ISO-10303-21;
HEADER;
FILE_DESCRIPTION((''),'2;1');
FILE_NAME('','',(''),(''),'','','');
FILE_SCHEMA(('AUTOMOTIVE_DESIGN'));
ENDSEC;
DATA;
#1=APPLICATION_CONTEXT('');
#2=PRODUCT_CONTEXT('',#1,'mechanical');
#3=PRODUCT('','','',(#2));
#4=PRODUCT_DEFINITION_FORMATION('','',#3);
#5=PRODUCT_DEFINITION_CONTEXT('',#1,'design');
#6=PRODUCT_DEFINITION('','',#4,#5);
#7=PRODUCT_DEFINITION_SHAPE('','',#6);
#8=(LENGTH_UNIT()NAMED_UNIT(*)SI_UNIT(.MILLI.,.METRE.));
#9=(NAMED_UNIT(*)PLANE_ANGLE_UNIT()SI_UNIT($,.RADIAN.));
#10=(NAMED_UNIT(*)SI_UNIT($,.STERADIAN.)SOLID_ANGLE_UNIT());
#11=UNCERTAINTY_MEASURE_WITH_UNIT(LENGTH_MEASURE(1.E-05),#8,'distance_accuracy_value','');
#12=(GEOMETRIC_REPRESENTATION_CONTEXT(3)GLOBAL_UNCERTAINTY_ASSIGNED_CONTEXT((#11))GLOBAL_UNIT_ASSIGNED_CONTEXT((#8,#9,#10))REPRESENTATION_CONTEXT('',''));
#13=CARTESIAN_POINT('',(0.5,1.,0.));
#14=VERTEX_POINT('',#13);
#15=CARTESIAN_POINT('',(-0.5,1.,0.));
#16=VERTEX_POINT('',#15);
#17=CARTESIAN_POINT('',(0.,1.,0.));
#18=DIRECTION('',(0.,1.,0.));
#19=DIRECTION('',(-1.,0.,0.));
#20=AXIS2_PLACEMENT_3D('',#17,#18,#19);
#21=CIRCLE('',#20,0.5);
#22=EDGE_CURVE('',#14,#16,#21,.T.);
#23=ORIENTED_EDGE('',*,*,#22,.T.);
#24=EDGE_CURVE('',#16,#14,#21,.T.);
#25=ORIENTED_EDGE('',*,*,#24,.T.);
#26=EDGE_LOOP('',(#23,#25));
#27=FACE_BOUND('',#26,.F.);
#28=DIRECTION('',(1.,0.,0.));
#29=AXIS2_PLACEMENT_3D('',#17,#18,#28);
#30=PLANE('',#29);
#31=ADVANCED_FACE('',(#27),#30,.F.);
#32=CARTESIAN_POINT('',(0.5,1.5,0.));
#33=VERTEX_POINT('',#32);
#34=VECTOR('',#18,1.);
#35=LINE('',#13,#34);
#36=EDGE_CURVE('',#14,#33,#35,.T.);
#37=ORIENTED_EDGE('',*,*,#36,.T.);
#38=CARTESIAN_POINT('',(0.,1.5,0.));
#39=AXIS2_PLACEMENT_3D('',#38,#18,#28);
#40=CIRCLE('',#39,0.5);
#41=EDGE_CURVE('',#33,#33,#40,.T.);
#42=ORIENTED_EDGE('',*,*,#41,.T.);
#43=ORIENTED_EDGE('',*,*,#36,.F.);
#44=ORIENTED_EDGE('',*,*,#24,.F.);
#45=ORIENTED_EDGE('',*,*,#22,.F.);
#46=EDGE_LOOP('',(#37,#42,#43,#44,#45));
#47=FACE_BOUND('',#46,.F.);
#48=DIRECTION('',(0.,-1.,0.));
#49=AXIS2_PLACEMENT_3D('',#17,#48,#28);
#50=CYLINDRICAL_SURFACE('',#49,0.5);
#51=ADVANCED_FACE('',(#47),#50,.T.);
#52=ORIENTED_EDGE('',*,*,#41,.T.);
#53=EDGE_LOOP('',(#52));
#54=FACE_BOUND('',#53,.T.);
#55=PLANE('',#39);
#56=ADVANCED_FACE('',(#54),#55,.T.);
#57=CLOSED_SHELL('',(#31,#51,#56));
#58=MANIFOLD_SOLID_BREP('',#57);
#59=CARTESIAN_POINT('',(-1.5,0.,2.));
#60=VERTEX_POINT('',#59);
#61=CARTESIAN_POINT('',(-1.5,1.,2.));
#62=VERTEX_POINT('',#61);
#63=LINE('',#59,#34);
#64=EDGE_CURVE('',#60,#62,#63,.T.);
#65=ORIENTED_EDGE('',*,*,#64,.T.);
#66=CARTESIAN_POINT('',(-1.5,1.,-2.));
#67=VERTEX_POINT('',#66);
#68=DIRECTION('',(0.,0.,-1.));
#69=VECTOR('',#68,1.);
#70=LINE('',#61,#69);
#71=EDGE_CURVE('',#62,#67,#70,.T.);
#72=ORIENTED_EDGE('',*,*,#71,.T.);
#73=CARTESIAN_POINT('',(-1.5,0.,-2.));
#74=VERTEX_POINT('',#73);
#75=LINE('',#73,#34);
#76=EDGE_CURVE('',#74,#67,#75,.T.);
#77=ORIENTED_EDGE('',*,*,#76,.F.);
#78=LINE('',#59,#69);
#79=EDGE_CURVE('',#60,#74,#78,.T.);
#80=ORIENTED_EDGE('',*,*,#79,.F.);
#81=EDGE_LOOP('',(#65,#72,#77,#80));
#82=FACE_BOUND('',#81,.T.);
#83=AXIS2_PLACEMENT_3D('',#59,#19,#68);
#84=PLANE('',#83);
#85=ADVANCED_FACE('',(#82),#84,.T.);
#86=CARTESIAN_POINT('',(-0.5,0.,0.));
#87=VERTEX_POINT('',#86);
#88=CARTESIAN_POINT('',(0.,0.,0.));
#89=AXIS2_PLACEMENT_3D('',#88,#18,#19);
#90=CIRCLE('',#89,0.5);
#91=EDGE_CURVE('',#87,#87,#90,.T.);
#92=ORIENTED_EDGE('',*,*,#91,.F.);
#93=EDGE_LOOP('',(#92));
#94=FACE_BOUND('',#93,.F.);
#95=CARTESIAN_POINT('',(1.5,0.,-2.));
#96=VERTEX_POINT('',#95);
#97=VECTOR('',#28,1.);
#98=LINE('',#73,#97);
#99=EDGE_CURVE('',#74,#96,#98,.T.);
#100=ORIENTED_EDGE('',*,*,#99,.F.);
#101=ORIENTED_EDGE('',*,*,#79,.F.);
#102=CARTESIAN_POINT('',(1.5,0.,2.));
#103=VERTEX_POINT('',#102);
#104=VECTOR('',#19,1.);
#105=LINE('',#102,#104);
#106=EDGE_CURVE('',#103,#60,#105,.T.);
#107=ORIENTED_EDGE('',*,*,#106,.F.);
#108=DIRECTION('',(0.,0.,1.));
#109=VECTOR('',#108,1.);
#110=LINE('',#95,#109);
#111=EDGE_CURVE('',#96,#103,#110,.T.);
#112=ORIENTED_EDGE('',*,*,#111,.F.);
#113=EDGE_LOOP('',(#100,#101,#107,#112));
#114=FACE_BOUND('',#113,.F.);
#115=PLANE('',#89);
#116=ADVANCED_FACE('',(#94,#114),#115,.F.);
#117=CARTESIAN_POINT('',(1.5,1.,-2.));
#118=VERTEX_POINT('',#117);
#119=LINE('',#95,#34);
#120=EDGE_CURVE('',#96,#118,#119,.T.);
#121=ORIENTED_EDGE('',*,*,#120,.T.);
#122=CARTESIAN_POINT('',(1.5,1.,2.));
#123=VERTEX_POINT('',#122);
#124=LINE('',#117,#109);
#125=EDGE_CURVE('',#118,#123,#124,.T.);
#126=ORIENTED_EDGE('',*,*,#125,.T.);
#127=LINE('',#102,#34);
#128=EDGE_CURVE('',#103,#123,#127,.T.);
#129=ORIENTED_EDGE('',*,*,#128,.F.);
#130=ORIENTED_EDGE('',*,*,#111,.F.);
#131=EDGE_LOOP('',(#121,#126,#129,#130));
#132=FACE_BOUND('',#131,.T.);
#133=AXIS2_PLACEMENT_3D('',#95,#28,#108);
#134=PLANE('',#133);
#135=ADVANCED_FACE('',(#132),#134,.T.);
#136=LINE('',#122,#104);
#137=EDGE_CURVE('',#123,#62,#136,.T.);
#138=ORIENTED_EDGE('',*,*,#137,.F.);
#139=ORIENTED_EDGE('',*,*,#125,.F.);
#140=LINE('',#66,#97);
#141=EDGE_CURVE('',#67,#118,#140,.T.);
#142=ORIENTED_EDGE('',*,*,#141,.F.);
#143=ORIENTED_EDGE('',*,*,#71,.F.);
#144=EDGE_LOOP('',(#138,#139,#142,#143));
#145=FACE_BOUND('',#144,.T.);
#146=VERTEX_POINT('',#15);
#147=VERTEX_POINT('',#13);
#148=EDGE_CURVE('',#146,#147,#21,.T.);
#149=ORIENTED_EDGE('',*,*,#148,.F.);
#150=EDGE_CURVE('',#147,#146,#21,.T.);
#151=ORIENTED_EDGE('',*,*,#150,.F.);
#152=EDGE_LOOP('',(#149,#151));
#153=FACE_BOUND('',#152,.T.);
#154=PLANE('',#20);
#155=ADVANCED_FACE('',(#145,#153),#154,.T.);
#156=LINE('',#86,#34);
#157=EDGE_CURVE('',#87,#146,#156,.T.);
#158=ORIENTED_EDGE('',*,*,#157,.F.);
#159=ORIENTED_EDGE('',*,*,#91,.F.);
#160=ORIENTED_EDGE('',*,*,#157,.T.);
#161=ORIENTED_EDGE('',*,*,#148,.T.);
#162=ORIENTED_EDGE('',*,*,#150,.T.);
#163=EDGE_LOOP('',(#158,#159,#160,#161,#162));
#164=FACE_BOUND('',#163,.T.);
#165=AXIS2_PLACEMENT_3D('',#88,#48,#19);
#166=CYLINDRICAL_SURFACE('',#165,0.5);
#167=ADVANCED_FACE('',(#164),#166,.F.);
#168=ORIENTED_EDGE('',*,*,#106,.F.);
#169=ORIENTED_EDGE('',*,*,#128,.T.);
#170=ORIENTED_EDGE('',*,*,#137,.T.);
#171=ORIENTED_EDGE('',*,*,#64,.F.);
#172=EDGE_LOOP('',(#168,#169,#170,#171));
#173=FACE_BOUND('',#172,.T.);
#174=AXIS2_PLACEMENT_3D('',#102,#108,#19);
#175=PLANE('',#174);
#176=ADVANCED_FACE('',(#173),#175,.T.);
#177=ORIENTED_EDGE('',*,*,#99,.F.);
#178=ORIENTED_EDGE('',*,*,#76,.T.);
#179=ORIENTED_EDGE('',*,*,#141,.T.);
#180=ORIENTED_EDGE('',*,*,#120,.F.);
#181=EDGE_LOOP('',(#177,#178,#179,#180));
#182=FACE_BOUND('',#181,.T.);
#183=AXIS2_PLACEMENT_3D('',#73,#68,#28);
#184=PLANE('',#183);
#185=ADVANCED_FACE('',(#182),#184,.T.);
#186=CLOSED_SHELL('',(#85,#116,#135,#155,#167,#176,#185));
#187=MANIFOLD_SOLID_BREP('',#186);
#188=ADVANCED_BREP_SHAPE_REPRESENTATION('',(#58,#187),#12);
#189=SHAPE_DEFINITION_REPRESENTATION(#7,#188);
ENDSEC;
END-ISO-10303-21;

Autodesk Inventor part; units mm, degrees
ref_plane "YZ Plane" through (0, 0, 0) normal (1, 0, 0) x (0, 1, 0)
ref_plane "XZ Plane" through (0, 0, 0) normal (0, 1, 0) x (-1, 0, 0)
ref_plane "XY Plane" through (0, 0, 0) normal (0, 0, 1) x (1, 0, 0)
sketch "Sketch1" plane through (0, 0, 0) normal (0, 1, 0) x (-1, 0, 0)
  line L0 (-1.5, 2) -> (1.5, 2)
  line L1 (1.5, 2) -> (1.5, -2)
  line L2 (1.5, -2) -> (-1.5, -2)
  line L3 (-1.5, -2) -> (-1.5, 2)
  line L4 (-1.5, 2) -> (1.5, -2) construction
  line L5 (1.5, 2) -> (-1.5, -2) construction
  circle A0 centre (0, 0) radius 0.5
  dimension "d0" = 3
  dimension "d1" = 4
  dimension "d2" = 1
extrude "Extrusion1" add sketch "Sketch1" along normal blind 1
sketch "Sketch2" plane through (0, 1, 0) normal (0, 1, 0) x (1, 0, 0)
  circle A0 centre (0, 0) radius 0.5
extrude "Extrusion2" add sketch "Sketch2" along normal blind 0.5
properties part number "knop_1"
